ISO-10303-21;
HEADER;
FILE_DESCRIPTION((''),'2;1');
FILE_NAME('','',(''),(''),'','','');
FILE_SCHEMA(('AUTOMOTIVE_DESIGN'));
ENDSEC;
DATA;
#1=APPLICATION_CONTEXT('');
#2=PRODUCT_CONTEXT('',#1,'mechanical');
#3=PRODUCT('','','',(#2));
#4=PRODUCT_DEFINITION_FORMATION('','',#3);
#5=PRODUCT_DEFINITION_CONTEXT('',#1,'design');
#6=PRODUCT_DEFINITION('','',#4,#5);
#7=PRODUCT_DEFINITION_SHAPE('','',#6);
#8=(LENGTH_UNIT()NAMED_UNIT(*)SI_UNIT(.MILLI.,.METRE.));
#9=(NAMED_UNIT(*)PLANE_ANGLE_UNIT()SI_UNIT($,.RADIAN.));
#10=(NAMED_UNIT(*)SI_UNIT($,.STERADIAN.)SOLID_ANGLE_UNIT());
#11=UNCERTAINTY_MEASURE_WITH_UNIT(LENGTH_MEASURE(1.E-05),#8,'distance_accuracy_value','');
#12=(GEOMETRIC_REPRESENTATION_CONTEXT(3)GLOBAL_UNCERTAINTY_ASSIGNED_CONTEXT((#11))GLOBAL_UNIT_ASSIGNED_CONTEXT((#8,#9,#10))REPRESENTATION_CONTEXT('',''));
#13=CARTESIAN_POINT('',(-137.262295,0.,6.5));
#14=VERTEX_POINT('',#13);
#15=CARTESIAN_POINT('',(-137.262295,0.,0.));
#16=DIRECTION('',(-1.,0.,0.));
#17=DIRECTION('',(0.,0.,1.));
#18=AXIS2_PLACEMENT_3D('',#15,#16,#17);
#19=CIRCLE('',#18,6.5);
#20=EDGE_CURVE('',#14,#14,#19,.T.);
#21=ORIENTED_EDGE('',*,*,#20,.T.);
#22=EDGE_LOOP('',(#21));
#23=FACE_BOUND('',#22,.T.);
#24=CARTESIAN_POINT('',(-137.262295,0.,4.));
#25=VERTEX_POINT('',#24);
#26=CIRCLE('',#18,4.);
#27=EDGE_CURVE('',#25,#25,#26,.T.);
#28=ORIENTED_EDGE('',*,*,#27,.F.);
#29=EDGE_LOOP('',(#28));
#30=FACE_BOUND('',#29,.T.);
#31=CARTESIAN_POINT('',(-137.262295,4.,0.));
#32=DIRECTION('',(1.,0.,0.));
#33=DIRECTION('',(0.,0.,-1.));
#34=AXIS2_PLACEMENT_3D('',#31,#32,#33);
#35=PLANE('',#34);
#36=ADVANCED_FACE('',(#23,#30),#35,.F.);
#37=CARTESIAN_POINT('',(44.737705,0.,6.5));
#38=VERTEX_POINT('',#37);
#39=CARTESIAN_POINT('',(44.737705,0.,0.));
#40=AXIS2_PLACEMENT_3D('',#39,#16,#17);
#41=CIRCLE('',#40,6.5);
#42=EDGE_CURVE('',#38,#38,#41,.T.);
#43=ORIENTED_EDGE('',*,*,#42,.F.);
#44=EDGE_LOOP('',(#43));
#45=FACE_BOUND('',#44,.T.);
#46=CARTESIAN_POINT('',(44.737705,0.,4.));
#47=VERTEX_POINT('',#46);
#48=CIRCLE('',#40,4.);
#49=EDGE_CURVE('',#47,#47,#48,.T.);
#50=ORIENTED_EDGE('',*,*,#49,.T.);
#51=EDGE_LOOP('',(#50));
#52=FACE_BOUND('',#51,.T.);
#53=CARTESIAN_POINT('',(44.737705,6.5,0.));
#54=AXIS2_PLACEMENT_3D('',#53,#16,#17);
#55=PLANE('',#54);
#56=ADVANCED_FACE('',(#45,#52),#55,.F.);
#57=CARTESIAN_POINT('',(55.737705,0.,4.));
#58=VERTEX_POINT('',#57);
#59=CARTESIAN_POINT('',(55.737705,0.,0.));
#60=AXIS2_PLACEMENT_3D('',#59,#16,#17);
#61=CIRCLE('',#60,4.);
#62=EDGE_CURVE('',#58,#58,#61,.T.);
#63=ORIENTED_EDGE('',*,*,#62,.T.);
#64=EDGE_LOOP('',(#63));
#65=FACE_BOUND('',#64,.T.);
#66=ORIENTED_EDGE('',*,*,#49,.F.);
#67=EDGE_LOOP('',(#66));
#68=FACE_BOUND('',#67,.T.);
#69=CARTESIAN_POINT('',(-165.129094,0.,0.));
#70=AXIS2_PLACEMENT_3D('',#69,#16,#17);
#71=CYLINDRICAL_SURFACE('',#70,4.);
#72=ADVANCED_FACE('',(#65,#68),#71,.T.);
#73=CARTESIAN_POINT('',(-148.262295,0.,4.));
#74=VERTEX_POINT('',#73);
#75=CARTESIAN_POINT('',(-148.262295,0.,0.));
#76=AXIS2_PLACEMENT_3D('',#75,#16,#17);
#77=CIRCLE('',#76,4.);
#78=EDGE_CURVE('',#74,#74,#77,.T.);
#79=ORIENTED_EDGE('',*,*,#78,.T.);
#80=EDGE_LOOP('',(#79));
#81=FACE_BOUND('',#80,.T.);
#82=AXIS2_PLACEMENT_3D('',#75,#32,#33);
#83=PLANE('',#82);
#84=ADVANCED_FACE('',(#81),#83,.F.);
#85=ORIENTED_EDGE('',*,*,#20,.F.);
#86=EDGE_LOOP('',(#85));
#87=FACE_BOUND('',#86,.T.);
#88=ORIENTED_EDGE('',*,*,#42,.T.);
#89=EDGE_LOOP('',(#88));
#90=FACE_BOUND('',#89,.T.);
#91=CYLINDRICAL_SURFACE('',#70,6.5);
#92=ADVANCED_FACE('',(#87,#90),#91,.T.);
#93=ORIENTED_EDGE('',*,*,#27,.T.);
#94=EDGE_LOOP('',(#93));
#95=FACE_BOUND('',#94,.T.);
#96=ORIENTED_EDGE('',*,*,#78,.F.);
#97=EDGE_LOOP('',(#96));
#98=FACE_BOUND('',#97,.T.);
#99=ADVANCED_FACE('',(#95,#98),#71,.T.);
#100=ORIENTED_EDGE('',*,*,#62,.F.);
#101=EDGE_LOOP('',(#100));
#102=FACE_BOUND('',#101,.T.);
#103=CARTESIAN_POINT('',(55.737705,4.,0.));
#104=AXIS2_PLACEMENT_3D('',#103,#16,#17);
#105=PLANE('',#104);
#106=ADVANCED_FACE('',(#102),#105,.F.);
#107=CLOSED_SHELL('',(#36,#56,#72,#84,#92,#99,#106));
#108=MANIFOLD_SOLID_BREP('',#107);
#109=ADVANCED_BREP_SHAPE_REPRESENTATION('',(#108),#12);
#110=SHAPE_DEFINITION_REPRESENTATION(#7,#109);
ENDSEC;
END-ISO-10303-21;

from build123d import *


with BuildPart() as part:
    # Sketch1 → Revolve1 (revolve)
    with BuildSketch(Plane.XY):
        Polygon((-148.262295082, 0), (-148.262295082, 4), (-137.262295082, 4), (-137.262295082, 6.5), (44.737704918, 6.5), (44.737704918, 4), (55.737704918, 4), (55.737704918, 0), align=None)
    revolve(axis=Axis((-165.12909355, 0, 0), (1, 0, 0)))


solid = part.part
